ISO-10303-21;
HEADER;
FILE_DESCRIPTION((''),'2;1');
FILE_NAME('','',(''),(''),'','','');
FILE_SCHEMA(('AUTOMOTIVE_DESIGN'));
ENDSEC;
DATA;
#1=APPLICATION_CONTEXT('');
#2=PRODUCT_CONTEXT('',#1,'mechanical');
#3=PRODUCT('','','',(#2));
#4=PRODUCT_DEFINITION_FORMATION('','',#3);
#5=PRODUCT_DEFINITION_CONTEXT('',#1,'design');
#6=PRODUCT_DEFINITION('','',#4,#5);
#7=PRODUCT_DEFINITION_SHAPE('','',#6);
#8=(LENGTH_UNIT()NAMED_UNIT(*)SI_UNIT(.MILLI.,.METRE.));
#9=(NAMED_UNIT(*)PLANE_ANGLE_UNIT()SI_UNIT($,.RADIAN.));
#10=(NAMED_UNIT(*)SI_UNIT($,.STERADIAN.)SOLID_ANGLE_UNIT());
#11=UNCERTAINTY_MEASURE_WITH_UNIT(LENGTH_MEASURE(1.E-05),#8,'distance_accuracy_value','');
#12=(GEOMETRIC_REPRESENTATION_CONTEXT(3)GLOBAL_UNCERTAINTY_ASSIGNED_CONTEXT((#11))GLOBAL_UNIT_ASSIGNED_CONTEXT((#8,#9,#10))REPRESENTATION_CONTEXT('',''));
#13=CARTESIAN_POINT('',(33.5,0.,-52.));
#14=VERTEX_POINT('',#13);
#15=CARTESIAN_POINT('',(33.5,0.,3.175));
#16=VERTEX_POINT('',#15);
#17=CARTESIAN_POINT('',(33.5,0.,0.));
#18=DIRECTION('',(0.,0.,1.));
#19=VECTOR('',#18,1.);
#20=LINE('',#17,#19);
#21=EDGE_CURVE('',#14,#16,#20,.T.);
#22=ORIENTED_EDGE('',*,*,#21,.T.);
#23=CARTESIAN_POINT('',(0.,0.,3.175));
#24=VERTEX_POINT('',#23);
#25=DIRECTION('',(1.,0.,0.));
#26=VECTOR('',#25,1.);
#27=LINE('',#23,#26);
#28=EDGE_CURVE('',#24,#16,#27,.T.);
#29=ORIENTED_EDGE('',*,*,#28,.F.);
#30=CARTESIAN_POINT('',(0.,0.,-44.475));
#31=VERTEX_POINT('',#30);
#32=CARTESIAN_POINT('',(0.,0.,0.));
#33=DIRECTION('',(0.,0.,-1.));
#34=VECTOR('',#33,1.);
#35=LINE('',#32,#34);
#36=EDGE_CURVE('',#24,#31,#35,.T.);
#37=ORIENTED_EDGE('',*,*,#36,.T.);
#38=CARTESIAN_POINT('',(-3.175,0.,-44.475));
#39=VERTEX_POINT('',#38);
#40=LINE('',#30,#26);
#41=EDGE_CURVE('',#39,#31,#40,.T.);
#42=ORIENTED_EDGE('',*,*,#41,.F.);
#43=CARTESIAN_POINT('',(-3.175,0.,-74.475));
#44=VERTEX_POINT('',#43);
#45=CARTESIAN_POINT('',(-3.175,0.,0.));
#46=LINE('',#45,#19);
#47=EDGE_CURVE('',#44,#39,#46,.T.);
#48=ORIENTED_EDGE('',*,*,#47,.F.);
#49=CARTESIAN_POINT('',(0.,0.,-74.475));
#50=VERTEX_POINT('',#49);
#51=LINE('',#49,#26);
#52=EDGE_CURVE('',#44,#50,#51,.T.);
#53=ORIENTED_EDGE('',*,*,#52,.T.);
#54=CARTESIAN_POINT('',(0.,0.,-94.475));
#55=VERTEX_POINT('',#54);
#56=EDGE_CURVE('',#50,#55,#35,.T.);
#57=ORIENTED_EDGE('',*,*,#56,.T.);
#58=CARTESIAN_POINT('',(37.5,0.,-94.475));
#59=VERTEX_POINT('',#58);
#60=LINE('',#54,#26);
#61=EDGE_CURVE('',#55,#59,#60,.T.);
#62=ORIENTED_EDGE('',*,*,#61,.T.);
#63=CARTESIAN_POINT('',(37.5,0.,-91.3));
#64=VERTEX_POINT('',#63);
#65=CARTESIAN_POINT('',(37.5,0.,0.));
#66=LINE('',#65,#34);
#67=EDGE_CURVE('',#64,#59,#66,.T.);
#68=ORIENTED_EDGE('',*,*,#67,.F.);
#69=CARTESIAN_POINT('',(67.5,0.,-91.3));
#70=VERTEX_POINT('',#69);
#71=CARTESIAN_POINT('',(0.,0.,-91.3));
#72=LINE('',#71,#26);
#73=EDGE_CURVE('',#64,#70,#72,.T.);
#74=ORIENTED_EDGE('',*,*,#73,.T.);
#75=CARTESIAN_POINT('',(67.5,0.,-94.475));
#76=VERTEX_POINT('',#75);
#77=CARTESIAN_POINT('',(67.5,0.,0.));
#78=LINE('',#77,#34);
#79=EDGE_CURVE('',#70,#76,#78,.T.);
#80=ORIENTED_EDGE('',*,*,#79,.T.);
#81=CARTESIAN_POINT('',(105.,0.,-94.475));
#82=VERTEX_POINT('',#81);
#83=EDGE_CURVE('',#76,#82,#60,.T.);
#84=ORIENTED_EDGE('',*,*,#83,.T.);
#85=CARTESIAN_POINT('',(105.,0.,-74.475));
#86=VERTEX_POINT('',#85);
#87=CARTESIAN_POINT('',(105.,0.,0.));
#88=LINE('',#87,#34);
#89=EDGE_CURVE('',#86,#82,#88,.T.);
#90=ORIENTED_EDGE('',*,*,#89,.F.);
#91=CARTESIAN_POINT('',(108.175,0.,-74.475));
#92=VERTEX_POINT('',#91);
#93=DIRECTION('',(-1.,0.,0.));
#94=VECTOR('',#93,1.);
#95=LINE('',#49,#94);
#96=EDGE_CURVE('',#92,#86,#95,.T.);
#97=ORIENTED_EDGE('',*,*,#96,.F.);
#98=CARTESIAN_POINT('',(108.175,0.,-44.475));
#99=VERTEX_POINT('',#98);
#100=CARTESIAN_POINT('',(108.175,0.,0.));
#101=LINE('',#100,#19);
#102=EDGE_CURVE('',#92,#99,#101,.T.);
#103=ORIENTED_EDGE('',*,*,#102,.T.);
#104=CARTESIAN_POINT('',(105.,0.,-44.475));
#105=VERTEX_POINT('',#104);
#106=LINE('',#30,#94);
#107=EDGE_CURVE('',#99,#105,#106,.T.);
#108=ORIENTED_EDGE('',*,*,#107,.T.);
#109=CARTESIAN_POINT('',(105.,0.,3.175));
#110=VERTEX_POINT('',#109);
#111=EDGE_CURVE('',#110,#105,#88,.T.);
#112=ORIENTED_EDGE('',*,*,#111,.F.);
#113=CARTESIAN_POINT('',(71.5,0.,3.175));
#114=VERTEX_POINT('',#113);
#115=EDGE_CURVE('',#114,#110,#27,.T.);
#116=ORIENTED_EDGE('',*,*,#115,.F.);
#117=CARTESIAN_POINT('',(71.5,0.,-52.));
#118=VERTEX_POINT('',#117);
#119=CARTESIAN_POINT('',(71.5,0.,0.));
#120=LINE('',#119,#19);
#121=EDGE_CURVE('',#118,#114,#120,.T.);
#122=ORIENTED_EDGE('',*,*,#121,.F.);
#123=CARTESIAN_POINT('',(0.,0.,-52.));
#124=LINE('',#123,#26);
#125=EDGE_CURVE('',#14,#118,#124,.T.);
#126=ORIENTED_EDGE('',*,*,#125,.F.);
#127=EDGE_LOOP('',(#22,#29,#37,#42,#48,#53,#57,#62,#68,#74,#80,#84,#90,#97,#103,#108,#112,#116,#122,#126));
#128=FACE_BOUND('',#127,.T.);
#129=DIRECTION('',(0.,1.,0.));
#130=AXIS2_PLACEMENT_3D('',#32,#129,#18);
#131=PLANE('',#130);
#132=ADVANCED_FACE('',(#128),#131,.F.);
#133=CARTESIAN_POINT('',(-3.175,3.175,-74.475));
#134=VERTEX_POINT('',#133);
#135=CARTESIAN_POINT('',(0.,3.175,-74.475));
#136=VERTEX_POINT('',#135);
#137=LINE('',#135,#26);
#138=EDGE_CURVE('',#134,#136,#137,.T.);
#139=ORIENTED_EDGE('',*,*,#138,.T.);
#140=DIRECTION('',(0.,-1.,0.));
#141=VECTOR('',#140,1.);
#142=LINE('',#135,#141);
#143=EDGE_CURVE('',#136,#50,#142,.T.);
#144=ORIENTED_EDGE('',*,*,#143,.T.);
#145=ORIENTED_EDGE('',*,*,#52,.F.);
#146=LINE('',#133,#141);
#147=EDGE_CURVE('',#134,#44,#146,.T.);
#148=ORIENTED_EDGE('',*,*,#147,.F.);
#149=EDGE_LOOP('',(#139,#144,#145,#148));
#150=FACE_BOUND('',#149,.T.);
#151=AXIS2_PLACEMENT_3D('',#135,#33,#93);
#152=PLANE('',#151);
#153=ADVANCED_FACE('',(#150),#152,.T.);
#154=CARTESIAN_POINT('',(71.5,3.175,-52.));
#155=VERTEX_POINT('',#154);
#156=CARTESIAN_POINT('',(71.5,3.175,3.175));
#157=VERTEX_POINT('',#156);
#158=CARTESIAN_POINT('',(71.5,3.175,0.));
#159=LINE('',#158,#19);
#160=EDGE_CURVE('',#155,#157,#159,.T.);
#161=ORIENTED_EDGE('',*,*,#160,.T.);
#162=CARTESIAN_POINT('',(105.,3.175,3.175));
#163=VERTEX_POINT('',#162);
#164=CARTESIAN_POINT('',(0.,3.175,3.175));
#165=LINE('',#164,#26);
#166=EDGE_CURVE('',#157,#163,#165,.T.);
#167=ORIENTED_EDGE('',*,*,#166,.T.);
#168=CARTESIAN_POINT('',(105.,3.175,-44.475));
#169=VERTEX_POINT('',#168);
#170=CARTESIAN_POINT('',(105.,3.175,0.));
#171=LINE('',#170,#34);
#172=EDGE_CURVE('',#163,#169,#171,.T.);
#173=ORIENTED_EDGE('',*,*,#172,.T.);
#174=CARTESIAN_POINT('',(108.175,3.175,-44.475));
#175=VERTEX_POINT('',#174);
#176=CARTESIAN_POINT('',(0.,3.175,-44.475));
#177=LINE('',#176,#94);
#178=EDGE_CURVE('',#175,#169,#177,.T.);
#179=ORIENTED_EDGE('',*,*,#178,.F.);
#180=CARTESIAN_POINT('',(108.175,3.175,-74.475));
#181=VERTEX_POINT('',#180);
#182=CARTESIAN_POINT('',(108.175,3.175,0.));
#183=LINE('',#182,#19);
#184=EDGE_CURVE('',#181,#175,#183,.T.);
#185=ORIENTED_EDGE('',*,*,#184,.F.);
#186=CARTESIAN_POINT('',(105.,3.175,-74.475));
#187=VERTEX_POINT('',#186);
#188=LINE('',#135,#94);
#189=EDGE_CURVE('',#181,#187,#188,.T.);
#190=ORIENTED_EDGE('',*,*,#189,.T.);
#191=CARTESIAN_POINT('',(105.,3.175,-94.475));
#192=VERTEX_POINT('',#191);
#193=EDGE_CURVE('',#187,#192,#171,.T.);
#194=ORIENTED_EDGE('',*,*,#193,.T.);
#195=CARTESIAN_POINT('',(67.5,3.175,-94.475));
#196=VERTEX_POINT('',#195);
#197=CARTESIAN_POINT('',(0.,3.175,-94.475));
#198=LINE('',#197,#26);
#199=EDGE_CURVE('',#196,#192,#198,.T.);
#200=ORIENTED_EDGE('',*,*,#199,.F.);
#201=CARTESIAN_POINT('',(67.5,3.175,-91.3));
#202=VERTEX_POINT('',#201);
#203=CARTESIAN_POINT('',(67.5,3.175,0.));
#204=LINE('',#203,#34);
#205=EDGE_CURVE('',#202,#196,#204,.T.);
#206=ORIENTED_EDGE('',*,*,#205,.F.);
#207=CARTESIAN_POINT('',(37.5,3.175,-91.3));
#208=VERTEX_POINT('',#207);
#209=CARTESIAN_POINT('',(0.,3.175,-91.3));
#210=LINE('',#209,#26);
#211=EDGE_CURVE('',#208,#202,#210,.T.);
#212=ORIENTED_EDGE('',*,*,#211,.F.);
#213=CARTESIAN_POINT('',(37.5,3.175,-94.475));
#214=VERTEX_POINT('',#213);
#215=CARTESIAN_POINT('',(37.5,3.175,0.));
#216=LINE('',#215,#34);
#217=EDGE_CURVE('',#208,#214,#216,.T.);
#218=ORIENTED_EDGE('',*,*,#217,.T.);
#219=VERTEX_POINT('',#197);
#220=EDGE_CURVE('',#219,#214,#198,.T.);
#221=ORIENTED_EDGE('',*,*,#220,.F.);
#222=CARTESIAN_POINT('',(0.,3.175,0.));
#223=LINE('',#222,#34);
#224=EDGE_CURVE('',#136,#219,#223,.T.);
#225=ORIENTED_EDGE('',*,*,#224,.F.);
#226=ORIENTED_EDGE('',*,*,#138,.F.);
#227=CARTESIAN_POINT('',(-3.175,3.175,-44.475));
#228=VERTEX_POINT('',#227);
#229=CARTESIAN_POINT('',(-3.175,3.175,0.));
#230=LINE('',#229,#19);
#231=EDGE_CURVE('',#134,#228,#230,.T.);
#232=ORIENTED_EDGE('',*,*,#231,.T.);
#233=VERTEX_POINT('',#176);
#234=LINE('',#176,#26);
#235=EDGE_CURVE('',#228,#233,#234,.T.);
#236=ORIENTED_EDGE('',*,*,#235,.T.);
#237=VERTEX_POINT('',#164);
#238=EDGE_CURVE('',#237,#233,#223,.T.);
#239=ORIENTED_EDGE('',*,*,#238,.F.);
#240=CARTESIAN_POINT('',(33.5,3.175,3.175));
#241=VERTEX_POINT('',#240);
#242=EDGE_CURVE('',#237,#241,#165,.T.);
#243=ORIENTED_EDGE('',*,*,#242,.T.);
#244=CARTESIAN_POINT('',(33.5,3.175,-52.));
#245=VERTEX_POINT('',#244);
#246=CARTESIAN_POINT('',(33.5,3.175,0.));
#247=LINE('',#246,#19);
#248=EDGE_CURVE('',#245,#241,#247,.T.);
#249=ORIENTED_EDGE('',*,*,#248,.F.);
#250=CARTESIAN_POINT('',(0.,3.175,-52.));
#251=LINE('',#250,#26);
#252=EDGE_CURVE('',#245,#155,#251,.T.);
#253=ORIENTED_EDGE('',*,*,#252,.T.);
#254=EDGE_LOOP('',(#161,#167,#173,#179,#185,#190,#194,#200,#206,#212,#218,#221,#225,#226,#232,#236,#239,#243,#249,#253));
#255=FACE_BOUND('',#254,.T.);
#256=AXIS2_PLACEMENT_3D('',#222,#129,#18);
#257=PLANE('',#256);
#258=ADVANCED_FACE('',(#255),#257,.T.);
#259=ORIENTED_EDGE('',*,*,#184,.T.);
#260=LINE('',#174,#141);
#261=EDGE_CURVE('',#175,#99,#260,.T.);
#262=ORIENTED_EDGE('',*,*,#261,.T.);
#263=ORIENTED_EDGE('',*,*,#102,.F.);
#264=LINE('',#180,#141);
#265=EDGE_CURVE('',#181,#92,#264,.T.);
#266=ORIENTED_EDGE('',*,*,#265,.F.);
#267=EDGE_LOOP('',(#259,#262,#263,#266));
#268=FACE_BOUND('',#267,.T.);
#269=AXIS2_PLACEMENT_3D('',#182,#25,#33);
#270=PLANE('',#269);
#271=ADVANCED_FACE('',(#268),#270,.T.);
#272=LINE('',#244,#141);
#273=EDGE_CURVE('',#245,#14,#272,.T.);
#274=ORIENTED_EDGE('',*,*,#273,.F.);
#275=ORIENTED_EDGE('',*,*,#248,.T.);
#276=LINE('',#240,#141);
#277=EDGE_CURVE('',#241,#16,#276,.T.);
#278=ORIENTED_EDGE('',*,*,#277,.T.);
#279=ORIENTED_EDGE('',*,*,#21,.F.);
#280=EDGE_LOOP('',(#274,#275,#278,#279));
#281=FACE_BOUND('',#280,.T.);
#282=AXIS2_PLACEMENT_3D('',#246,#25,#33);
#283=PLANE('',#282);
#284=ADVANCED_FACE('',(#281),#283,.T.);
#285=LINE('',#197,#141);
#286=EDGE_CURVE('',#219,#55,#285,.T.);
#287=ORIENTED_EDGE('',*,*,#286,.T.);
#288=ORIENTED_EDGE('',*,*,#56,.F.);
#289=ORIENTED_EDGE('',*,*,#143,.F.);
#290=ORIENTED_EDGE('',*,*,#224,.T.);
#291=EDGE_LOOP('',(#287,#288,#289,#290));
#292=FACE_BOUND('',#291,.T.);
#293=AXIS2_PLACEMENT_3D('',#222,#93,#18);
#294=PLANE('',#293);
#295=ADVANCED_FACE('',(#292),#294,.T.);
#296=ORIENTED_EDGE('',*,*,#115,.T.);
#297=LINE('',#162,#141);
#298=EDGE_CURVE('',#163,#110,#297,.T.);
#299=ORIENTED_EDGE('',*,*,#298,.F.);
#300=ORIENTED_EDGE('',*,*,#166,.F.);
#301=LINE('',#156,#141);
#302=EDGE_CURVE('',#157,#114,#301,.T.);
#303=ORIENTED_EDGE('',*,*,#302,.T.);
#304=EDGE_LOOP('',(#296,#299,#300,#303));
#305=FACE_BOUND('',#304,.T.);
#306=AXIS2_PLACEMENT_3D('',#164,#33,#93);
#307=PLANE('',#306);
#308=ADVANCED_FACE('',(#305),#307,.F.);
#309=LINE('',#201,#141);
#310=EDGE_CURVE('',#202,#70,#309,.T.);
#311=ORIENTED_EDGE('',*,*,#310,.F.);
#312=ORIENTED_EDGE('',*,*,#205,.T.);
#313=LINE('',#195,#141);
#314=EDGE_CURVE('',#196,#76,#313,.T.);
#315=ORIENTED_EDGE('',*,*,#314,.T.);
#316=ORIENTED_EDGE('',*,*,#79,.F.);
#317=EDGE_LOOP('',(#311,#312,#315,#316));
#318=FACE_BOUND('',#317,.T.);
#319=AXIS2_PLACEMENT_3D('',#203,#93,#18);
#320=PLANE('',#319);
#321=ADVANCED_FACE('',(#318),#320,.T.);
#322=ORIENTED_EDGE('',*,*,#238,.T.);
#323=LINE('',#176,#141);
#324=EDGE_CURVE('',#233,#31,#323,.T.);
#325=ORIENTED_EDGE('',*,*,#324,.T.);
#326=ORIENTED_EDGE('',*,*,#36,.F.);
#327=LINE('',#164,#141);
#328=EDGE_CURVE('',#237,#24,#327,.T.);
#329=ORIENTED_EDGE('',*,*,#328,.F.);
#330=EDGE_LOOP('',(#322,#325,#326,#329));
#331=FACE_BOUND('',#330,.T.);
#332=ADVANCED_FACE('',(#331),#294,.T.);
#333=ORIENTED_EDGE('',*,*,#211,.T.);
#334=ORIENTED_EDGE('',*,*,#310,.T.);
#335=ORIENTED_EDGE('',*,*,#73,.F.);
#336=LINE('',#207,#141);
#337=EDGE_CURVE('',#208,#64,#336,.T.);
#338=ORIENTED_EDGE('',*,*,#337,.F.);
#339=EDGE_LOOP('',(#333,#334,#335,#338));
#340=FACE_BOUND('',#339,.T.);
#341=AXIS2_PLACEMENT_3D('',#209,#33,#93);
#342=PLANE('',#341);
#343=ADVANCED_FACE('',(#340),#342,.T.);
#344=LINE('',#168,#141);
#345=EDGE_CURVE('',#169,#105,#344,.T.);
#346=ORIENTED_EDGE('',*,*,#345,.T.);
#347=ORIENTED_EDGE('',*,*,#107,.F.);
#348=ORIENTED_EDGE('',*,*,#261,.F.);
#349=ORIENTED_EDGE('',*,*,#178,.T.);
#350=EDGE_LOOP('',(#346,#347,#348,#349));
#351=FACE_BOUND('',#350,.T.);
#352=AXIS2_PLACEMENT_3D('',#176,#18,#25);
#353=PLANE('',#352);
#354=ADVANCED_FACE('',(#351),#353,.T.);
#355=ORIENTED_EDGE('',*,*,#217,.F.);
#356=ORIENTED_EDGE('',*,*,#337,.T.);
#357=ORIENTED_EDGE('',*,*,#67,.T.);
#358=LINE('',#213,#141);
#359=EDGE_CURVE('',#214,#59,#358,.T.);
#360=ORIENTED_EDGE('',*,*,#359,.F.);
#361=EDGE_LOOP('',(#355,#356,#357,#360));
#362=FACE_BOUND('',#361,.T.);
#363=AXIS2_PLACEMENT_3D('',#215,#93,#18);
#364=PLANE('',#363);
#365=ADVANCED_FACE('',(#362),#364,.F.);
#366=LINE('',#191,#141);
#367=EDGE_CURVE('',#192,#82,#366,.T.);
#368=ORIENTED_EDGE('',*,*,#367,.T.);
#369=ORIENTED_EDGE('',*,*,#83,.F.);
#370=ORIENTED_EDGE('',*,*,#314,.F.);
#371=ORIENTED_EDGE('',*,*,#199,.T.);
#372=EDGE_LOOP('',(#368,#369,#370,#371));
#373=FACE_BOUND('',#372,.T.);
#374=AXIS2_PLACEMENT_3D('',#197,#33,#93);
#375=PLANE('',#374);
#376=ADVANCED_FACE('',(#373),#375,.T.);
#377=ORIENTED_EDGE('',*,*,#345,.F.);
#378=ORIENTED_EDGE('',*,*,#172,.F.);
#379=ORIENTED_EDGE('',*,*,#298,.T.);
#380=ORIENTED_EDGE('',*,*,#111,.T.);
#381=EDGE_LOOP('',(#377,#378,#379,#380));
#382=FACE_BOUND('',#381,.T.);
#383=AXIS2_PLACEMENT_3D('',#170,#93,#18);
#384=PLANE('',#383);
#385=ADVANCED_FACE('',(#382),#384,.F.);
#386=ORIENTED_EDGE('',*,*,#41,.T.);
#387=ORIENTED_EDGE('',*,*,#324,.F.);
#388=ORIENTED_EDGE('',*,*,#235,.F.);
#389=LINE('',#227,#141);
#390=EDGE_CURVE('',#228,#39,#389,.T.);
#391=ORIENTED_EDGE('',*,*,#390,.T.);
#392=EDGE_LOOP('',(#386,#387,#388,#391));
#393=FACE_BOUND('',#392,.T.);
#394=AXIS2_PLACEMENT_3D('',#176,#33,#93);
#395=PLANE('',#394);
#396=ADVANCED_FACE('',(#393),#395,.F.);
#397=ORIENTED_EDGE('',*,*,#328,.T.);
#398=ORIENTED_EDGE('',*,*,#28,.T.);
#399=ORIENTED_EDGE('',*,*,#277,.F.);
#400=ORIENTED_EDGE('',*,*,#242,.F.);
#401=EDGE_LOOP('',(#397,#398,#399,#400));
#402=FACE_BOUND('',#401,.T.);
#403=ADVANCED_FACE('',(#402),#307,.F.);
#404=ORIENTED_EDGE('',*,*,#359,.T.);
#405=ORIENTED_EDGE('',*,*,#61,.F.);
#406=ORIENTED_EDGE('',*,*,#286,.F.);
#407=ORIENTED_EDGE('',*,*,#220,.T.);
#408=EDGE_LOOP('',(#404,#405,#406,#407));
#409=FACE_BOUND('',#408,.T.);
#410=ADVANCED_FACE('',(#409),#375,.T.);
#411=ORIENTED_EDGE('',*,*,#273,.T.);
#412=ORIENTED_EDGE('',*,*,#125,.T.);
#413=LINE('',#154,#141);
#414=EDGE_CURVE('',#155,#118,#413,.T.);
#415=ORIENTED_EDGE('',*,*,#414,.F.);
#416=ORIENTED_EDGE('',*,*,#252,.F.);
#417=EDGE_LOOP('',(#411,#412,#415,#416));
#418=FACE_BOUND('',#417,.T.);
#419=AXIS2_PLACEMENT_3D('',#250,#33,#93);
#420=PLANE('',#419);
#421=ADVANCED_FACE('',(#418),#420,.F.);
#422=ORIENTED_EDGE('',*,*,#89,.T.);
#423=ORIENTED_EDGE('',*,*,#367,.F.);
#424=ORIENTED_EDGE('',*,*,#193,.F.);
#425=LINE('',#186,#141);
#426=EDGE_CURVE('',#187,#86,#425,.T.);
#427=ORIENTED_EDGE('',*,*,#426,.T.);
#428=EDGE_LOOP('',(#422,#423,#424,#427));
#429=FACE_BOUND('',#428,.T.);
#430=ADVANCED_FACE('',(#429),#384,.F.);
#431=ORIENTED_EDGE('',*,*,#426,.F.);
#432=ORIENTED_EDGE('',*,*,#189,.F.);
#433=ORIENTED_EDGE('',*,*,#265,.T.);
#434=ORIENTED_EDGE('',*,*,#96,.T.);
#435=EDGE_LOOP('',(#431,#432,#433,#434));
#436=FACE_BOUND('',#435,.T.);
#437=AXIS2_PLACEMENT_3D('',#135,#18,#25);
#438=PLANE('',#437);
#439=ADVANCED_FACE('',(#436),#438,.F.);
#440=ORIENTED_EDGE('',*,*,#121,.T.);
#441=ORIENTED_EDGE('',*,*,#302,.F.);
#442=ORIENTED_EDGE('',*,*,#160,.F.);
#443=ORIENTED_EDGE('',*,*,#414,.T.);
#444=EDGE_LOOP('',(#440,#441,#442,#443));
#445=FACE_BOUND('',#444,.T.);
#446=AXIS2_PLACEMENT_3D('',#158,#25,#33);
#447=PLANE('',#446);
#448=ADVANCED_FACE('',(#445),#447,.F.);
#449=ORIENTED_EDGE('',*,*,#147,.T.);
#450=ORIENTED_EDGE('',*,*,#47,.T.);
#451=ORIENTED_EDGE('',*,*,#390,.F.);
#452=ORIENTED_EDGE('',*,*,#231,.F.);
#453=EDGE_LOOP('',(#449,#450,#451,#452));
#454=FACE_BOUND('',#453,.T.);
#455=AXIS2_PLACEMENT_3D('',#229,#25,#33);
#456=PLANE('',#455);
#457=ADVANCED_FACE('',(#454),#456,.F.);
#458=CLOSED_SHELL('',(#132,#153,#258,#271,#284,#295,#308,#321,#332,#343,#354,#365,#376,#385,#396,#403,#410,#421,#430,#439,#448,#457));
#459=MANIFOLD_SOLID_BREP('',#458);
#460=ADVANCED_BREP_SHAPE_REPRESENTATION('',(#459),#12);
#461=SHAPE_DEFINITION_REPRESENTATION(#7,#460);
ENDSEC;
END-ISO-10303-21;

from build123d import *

# Parameters (mm, degrees)
BOSS_EXTRUDE1_DEPTH = 3.175


with BuildPart() as part:
    # Sketch1 → Boss-Extrude1 (new body)
    with BuildSketch(Plane(origin=(0, 0, 0), x_dir=(1, 0, 0), z_dir=(0, 1, 0))):
        Polygon((33.5, 52), (71.5, 52), (71.5, -3.175), (105, -3.175), (105, 44.475), (108.175, 44.475), (108.175, 74.475), (105, 74.475), (105, 94.475), (67.5, 94.475), (67.5, 91.3), (37.5, 91.3), (37.5, 94.475), (0, 94.475), (0, 74.475), (-3.175, 74.475), (-3.175, 44.475), (0, 44.475), (0, -3.175), (33.5, -3.175), align=None)
    extrude(amount=BOSS_EXTRUDE1_DEPTH)


solid = part.part
